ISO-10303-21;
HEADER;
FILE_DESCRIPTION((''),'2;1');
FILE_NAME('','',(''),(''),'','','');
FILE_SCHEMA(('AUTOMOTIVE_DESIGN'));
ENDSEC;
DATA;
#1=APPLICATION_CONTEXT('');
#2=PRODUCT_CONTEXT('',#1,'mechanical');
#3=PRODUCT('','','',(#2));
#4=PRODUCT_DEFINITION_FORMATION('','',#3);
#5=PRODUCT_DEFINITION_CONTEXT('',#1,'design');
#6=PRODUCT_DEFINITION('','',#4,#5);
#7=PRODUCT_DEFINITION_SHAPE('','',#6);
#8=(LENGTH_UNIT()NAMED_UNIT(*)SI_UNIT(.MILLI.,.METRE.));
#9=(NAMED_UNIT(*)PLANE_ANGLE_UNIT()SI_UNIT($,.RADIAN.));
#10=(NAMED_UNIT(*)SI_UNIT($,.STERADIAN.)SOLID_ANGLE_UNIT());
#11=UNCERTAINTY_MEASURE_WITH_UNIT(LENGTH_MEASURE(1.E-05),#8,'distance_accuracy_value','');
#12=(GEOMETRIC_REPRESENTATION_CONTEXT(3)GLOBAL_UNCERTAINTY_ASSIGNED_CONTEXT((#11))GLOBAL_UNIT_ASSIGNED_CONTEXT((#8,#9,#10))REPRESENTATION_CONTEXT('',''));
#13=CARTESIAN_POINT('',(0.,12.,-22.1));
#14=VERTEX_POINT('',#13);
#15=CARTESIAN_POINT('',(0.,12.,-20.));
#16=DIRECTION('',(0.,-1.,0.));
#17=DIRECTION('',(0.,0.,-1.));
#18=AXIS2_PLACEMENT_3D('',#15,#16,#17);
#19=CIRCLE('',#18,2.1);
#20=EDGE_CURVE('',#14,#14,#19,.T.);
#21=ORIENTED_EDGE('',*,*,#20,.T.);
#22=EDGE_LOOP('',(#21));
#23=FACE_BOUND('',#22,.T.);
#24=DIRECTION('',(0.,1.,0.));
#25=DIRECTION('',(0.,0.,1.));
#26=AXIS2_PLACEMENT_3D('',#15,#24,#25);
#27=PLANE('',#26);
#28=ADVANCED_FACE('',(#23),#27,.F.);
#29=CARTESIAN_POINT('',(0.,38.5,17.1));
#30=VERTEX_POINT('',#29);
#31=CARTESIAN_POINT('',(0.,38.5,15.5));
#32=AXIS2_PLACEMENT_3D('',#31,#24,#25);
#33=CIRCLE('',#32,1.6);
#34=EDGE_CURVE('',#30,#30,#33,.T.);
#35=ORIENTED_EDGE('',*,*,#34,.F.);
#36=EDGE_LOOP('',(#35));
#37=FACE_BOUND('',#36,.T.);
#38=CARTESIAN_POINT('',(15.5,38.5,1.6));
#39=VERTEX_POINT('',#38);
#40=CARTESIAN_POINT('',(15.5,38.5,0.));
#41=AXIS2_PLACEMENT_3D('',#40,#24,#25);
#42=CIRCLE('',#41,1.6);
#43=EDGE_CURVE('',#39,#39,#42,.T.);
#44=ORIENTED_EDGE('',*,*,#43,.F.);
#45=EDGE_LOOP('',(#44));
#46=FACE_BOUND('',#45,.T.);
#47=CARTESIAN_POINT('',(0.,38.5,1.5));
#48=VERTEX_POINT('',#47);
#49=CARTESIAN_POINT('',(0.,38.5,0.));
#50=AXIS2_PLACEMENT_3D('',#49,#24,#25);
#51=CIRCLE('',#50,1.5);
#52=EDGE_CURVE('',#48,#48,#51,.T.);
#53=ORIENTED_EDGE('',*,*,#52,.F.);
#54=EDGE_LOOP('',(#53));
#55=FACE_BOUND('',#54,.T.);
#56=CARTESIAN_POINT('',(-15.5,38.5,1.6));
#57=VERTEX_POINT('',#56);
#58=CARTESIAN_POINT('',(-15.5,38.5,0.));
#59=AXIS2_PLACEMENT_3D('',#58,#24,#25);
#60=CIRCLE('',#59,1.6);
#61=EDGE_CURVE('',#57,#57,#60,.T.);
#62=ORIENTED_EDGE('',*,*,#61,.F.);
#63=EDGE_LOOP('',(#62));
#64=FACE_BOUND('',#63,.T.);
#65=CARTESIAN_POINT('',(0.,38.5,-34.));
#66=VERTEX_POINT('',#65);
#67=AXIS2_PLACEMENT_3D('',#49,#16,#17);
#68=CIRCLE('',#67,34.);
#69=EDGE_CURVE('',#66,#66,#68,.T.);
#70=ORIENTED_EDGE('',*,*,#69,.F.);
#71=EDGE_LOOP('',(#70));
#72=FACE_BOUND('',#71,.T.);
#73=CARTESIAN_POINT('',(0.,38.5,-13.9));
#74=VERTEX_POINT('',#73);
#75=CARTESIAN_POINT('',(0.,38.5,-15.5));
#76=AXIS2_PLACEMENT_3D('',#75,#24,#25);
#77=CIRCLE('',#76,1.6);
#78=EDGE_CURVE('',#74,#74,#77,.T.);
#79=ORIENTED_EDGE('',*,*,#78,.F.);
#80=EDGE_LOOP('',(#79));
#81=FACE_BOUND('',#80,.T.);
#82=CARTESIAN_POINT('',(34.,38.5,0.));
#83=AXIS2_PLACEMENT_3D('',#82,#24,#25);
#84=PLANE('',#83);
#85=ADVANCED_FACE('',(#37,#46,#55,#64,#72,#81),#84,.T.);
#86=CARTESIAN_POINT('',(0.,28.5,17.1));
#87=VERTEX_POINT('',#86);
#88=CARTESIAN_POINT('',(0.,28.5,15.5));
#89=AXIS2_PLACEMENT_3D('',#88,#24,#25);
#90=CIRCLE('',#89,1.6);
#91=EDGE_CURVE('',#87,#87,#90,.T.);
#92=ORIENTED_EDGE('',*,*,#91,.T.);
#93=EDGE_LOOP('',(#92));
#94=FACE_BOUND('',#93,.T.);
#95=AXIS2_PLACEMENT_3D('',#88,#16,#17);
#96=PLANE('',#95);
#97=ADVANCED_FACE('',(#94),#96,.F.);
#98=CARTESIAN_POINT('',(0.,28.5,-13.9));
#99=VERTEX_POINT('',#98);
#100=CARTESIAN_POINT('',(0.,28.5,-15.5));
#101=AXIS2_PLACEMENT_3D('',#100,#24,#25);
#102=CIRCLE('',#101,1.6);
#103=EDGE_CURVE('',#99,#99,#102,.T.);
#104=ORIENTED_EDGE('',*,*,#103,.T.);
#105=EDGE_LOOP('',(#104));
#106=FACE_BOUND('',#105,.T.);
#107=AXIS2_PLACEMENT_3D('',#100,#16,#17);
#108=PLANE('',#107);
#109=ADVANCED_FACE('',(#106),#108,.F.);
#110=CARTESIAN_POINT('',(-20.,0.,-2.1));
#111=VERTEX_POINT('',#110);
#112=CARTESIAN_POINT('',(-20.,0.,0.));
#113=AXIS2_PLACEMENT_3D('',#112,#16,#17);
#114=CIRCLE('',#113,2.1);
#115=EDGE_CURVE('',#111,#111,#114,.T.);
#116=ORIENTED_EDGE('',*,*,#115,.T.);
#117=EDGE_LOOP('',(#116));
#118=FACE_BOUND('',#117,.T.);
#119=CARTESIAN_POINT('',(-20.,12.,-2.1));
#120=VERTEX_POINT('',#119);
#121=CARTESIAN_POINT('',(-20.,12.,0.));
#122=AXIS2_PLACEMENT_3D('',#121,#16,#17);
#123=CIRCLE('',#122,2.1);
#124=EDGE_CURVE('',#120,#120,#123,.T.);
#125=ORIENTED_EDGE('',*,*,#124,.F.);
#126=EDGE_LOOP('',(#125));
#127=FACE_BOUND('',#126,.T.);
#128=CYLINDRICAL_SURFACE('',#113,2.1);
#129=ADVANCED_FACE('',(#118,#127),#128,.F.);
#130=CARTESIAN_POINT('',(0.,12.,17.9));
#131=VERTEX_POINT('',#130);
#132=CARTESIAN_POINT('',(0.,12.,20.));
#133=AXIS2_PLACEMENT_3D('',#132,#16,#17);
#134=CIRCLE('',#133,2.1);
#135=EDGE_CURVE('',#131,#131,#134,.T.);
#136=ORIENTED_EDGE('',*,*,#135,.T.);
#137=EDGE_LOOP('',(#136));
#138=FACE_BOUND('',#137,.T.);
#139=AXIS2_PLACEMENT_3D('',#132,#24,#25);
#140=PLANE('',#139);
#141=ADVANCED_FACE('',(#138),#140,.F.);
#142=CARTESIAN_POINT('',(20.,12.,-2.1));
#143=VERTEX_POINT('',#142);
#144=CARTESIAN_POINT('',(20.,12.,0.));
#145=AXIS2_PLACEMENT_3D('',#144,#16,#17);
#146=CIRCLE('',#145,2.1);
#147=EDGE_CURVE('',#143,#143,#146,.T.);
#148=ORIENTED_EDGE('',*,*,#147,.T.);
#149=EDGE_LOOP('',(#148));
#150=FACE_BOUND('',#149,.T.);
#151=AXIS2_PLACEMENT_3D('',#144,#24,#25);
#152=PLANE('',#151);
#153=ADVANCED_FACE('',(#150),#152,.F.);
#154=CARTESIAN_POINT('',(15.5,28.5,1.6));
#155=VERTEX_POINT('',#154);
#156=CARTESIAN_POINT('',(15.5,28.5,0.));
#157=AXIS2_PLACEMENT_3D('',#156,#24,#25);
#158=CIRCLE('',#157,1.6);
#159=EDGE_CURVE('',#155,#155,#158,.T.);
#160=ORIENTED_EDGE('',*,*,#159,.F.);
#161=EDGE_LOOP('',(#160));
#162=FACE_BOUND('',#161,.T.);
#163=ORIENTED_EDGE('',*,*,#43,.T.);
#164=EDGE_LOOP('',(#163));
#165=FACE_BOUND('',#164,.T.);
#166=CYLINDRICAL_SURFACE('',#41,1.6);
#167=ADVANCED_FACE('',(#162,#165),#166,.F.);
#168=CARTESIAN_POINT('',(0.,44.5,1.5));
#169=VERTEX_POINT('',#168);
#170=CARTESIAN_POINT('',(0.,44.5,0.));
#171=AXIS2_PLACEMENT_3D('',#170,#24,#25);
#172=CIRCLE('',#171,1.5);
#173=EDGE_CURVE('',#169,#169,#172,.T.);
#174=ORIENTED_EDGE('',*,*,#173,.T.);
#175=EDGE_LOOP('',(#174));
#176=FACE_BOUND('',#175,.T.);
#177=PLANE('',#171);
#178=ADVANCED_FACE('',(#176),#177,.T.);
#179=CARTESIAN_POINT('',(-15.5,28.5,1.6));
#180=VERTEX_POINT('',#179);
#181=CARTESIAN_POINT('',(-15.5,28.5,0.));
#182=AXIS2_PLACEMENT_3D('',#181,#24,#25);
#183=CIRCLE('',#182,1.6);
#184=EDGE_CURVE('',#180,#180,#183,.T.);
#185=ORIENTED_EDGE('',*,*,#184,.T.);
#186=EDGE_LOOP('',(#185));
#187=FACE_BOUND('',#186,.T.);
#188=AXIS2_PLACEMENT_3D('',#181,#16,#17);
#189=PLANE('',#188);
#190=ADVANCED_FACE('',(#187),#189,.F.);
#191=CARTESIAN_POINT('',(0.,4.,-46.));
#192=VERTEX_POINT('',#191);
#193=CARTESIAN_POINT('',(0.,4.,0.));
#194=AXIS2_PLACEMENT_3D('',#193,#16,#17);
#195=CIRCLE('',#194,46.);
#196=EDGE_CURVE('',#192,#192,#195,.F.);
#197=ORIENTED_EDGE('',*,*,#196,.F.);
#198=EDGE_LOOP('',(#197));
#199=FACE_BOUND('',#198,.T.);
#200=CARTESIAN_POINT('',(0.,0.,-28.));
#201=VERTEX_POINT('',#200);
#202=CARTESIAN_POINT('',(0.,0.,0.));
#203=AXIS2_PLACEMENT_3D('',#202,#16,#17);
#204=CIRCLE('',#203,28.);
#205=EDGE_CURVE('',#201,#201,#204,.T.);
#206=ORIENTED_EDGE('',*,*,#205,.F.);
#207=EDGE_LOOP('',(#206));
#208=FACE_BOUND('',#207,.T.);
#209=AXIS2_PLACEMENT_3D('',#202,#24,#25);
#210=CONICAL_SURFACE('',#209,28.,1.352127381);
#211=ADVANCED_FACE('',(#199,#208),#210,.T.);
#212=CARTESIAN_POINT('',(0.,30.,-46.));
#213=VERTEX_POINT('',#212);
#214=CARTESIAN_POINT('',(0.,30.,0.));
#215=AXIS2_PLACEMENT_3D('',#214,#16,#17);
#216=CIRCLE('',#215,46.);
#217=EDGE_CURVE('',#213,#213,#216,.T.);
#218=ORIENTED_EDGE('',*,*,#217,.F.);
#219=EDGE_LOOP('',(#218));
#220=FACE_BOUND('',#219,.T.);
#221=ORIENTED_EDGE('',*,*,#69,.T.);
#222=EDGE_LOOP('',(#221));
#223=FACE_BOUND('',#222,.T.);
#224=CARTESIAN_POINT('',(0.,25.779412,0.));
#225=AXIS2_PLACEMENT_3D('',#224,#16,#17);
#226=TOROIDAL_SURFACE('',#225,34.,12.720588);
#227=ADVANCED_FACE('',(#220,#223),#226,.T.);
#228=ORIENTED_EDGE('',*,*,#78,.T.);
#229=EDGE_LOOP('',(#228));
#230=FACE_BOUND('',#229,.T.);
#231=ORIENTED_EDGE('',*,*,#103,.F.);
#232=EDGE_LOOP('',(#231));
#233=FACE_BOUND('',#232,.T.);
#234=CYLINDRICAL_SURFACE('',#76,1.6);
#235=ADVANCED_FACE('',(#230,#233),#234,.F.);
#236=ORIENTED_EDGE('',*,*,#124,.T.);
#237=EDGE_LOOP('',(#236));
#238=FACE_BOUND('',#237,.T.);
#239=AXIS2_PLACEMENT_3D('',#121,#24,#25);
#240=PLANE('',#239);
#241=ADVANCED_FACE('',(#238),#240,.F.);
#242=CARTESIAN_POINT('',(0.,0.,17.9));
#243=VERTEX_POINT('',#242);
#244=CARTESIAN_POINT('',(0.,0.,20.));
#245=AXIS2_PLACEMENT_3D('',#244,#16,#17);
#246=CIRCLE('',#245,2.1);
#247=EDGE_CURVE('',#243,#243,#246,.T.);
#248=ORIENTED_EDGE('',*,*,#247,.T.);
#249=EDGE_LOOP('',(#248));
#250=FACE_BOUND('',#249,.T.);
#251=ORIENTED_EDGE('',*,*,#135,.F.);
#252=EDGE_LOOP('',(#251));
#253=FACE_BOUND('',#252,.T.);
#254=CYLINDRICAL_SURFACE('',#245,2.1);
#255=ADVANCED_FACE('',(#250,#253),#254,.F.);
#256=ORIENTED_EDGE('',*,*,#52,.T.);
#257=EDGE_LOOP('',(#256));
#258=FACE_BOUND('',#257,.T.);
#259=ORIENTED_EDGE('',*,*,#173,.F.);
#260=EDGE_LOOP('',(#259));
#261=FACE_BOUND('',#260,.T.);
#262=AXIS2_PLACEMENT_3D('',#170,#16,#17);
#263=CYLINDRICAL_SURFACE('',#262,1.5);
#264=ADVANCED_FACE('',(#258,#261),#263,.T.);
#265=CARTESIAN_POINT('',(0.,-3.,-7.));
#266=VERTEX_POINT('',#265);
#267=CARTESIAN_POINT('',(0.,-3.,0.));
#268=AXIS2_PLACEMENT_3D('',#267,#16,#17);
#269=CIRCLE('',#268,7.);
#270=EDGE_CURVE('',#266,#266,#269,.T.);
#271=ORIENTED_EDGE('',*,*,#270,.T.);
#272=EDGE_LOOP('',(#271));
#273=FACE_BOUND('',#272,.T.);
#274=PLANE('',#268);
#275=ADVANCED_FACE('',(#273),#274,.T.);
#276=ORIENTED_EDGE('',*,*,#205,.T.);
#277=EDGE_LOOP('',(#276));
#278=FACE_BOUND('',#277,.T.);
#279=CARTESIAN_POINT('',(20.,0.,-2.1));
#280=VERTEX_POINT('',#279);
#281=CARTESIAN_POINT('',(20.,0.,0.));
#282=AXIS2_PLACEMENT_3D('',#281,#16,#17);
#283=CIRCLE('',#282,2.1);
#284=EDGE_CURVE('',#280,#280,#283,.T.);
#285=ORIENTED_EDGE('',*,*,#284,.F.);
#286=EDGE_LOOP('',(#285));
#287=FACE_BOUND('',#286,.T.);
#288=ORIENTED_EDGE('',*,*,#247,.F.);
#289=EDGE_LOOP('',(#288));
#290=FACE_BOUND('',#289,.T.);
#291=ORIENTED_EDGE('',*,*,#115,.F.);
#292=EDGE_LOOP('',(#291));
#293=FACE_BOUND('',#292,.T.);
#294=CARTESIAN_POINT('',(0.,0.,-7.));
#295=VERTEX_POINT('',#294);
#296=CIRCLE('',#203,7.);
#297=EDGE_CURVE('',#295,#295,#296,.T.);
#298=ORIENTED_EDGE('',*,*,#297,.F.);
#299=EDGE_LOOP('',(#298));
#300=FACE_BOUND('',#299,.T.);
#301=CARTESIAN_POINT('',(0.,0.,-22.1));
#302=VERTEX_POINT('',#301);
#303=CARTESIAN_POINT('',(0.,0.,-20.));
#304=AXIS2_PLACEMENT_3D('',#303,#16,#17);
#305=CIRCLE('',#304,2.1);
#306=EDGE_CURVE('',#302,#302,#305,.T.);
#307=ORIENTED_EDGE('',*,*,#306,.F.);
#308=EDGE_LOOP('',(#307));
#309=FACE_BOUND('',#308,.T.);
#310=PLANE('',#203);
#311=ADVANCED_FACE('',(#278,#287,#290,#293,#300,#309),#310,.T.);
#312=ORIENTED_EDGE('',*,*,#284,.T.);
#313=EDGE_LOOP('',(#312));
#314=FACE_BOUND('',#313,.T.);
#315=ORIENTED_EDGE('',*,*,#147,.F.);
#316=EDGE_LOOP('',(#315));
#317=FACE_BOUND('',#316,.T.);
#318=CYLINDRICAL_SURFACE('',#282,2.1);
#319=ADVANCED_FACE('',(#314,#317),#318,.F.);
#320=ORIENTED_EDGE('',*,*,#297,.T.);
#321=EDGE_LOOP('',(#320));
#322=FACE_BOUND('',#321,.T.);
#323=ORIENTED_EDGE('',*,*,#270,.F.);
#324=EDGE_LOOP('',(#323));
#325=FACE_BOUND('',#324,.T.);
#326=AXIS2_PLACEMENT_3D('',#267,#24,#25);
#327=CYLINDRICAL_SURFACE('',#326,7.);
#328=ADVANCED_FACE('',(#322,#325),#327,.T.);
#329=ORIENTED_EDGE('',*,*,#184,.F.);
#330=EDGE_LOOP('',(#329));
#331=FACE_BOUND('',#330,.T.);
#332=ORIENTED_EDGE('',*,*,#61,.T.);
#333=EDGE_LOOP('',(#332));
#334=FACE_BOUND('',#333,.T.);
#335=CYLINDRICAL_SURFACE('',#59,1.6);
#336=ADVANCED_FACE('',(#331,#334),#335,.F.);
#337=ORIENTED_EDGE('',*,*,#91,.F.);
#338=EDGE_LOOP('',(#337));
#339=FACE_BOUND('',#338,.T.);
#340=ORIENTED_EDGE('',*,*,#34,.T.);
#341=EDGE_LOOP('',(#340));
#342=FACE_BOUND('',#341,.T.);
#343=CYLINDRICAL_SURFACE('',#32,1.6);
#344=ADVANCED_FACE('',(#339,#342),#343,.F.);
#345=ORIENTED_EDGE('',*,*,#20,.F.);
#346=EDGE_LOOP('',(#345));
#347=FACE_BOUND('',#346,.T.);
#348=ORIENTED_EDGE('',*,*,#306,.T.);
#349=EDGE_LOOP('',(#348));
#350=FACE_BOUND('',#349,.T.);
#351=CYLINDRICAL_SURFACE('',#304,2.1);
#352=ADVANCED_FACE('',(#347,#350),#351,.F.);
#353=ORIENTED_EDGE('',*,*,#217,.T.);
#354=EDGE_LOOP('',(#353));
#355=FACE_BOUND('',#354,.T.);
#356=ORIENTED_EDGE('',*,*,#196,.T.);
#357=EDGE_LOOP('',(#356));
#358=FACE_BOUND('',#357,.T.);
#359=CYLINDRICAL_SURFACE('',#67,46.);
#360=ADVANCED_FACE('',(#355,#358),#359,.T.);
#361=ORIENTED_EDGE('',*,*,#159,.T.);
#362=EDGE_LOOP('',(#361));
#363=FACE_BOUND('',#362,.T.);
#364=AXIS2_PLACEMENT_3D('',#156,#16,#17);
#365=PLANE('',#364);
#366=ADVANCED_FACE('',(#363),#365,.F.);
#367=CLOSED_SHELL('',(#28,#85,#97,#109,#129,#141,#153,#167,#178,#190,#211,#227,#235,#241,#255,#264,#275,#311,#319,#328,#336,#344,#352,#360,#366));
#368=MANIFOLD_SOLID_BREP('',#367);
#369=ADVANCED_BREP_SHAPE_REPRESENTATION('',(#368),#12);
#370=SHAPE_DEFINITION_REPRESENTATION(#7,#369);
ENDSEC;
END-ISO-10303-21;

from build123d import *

# Parameters (mm, degrees)
CROQUIS2_R                          = 7
SALIENTE_EXTRUIR1_DEPTH             = 3
CROQUIS3_R                          = 1.5
SALIENTE_EXTRUIR2_DEPTH             = 6
DI_METRO_DE_TALADRO_3_2_3_2_1_D     = 3.2
DI_METRO_DE_TALADRO_3_2_3_2_1_DEPTH = 10
DI_METRO_DE_TALADRO_4_2_4_2_1_D     = 4.2
DI_METRO_DE_TALADRO_4_2_4_2_1_DEPTH = 12
CHAFL_N1_SIZE                       = 18
CHAFL_N1_SIZE2                      = 4


with BuildPart() as part:
    # Croquis1 → Revolución1 (revolve)
    with BuildSketch(Plane.XY, mode=Mode.PRIVATE) as revoluci_n1_sk:
        with BuildLine():
            Line((34, 38.5), (0, 38.5))
            Line((0, 38.5), (0, 0))
            Line((0, 0), (46, 0))
            Line((46, 0), (46, 30))
            ThreePointArc((46, 30), (41.352720585, 36.159723179), (34, 38.5))
        make_face()
    revolve(revoluci_n1_sk.sketch.rotate(Axis((0, 38.5, 0), (0, -1, 0)), 270), axis=Axis((0, 38.5, 0), (0, -1, 0)))

    # Croquis2 → Saliente-Extruir1 (add)
    with BuildSketch(Plane.XZ):
        with Locations(Location((0, 0, 0), (0, 0, 270))):
            Circle(CROQUIS2_R)
    extrude(amount=SALIENTE_EXTRUIR1_DEPTH)

    # Croquis3 → Saliente-Extruir2 (add)
    with BuildSketch(Plane(origin=(0, 38.5, 0), x_dir=(-1, 0, 0), z_dir=(0, 1, 0))):
        with Locations(Location((0, 0, 0), (0, 0, 90))):
            Circle(CROQUIS3_R)
    extrude(amount=SALIENTE_EXTRUIR2_DEPTH)

    # Diámetro de taladro Ø3.2 (3.2)1
    with Locations(Plane(origin=(0, 38.5, 0), x_dir=(1, 0, 0), z_dir=(0, 1, 0))):
        with Locations((0, 15.5), (-15.5, 0), (15.5, 0), (0, -15.5)):
            Hole(DI_METRO_DE_TALADRO_3_2_3_2_1_D / 2, depth=DI_METRO_DE_TALADRO_3_2_3_2_1_DEPTH)

    # Diámetro de taladro Ø4.2 (4.2)1
    with Locations(Plane(origin=(0, 0, 0), x_dir=(-1, 0, 0), z_dir=(0, -1, 0))):
        with Locations((0, -20), (20, 0), (-20, 0), (0, 20)):
            Hole(DI_METRO_DE_TALADRO_4_2_4_2_1_D / 2, depth=DI_METRO_DE_TALADRO_4_2_4_2_1_DEPTH)

    # Chaflán1
    chafl_n1_edges = [part.edges().sort_by_distance(p)[0] for p in [
        (0, 0, 46),
    ]]
    chafl_n1_side = [part.faces().sort_by_distance(p)[0] for p in [
        (0, 0, 44.698923523),
    ]]
    chamfer(chafl_n1_edges, length=CHAFL_N1_SIZE, length2=CHAFL_N1_SIZE2, reference=chafl_n1_side[0])


solid = part.part
